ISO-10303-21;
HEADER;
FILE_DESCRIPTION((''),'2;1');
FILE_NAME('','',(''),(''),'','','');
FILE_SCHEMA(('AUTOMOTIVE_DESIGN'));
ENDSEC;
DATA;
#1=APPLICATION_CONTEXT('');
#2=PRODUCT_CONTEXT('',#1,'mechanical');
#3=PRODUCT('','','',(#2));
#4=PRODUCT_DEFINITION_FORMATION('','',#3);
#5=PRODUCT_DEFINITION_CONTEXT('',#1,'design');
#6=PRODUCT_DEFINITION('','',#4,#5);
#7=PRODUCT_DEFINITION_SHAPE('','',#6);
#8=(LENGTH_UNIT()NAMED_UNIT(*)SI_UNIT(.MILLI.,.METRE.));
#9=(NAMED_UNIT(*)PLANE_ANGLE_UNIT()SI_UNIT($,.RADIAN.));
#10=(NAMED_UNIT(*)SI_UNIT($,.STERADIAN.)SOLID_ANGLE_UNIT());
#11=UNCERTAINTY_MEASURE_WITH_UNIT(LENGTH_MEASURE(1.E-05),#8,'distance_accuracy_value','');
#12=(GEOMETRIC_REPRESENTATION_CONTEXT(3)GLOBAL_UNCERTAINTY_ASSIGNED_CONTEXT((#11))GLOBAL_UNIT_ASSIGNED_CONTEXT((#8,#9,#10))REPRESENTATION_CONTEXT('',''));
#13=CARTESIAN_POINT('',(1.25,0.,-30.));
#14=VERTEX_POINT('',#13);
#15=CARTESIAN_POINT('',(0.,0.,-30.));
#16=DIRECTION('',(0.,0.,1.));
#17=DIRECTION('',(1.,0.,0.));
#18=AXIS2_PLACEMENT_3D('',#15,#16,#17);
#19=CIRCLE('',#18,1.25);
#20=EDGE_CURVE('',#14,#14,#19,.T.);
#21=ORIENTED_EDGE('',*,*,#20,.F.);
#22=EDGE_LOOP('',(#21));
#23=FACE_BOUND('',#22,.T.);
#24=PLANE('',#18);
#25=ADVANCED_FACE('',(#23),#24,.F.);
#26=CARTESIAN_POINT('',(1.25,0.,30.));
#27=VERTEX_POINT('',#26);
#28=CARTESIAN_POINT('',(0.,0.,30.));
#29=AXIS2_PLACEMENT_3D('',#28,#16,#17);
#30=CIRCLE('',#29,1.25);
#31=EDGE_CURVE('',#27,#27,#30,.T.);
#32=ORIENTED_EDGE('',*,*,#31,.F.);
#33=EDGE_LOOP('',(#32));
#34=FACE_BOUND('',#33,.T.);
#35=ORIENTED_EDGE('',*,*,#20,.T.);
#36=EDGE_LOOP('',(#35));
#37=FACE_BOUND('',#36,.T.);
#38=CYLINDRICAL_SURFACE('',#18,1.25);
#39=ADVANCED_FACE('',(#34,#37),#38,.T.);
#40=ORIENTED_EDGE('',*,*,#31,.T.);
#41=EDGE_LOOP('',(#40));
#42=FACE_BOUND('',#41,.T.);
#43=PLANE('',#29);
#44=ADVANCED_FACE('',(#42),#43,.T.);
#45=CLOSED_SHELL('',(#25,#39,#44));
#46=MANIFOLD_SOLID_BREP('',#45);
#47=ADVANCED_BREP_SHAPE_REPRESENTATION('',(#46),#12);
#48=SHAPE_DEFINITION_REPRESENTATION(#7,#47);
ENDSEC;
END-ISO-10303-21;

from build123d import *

# Parameters (mm, degrees)
VARREDURA1_PROFILE_R = 1.25


with BuildPart() as part:
    # Varredura1: sweep along a path in Esboço1
    with BuildLine(Plane(origin=(0, 0, 0), x_dir=(1, 0, 0), z_dir=(0, 1, 0))) as varredura1_path:
        Line((0, 30), (0, -30))
    # Varredura1 profile (on start of the path) → Varredura1 (sweep)
    with BuildSketch(Plane.XY.offset(-30)):
        Circle(VARREDURA1_PROFILE_R)
    sweep(path=varredura1_path.line)


solid = part.part
